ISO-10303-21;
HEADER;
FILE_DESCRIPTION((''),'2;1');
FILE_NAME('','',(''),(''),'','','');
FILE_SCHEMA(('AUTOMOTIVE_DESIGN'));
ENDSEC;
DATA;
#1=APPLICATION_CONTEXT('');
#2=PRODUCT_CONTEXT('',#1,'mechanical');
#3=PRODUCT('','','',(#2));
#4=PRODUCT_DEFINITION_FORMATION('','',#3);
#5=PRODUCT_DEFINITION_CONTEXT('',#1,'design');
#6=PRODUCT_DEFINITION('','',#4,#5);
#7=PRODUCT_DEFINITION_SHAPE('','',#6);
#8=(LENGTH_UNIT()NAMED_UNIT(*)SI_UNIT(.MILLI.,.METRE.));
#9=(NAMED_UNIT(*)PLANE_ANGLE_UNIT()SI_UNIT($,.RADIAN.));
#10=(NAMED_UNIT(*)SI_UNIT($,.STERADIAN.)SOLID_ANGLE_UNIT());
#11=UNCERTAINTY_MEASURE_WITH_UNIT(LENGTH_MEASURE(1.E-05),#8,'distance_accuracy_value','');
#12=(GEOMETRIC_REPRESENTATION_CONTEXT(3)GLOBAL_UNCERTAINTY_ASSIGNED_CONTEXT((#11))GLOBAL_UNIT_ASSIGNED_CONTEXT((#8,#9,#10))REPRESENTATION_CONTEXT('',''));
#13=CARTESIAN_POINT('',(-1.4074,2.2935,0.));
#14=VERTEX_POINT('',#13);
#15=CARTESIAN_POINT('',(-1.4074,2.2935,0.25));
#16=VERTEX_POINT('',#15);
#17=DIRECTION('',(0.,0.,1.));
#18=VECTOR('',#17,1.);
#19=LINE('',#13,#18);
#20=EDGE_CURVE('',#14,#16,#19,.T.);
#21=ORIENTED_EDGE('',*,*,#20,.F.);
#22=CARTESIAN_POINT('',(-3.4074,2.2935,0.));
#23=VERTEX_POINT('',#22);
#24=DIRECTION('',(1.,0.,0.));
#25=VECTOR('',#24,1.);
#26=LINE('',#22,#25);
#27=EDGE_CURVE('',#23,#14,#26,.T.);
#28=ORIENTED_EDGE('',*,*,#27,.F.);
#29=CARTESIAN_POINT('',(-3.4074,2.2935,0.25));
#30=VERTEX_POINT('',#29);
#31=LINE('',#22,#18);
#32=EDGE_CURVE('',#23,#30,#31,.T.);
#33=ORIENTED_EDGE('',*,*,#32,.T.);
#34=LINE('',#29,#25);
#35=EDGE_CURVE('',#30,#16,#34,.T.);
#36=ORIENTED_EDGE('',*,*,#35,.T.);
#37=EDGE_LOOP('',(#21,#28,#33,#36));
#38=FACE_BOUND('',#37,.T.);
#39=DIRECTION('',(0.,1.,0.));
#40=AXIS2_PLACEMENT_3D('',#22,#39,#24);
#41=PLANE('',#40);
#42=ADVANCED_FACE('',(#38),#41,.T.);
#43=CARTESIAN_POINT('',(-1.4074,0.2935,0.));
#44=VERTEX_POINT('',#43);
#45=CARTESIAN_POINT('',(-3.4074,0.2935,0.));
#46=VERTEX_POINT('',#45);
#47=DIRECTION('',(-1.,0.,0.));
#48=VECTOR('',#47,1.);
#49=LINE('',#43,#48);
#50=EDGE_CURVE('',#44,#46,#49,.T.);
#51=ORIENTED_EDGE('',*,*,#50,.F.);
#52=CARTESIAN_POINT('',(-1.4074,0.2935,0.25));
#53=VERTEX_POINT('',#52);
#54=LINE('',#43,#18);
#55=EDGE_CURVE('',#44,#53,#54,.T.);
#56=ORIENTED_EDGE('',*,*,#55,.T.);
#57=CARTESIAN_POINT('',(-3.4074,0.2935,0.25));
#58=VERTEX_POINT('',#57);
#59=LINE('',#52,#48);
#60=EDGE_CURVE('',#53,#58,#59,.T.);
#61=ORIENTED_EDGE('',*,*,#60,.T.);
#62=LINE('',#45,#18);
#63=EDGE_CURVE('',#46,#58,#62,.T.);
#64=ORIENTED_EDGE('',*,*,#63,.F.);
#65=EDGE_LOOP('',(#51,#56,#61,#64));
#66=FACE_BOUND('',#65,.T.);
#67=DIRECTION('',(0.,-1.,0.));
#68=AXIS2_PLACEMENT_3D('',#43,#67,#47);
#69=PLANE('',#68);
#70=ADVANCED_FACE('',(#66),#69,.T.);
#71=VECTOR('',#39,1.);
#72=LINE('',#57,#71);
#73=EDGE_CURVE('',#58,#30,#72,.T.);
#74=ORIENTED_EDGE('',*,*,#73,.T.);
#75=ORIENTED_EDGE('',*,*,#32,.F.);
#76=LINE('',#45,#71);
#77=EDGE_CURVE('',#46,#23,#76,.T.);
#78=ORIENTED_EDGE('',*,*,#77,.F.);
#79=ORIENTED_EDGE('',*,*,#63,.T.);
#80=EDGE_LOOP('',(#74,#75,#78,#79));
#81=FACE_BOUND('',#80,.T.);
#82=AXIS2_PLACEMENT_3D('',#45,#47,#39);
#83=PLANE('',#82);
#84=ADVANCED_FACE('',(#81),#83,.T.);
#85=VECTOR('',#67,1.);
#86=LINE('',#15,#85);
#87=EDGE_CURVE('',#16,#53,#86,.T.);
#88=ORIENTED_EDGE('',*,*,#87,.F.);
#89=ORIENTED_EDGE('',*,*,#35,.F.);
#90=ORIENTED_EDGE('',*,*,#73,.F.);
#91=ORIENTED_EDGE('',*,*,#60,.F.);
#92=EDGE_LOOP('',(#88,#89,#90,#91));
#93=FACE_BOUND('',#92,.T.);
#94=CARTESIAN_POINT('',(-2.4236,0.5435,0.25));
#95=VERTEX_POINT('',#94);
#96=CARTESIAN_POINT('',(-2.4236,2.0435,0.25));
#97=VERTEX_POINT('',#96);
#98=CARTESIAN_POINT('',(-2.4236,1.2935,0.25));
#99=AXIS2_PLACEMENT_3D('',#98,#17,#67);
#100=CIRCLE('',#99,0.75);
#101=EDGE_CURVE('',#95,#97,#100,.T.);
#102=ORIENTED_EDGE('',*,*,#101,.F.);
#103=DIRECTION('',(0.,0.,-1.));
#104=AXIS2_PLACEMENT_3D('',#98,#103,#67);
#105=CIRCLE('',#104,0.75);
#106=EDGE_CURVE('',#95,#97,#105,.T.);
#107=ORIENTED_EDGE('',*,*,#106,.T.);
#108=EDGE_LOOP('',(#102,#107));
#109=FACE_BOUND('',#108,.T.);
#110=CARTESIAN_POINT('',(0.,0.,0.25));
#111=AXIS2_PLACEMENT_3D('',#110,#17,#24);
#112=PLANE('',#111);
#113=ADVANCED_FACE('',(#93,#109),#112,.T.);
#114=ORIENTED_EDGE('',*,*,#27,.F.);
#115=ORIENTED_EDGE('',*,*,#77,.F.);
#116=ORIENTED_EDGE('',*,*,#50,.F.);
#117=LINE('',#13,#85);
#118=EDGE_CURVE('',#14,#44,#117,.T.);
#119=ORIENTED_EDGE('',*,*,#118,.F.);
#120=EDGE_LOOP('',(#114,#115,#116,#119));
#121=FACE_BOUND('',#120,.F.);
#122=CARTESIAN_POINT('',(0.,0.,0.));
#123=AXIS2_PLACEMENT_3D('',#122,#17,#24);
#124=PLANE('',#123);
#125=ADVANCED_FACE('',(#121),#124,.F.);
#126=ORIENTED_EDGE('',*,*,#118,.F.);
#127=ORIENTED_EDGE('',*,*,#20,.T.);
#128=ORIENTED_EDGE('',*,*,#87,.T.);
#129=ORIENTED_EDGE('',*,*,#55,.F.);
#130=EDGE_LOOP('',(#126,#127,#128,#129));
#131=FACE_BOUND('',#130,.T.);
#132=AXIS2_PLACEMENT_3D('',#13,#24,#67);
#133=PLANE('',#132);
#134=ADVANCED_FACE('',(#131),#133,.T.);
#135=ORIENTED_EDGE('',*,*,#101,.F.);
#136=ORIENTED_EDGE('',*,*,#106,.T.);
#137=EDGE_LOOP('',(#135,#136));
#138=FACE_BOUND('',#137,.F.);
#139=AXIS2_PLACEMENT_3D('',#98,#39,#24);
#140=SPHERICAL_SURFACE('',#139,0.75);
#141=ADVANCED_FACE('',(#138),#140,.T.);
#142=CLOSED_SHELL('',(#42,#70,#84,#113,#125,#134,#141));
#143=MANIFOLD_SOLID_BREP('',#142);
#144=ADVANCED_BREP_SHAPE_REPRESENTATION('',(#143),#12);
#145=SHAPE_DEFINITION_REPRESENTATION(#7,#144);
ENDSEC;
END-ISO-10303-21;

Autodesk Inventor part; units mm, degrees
ref_plane "YZ Plane" through (0, 0, 0) normal (1, 0, 0) x (0, 1, 0)
ref_plane "XZ Plane" through (0, 0, 0) normal (0, 1, 0) x (-1, 0, 0)
ref_plane "XY Plane" through (0, 0, 0) normal (0, 0, 1) x (1, 0, 0)
sketch "Sketch1" plane through (0, 0, 0) normal (0, 0, 1) x (1, 0, 0)
  line L0 (-3.4074, 2.2935) -> (-1.4074, 2.2935)
  line L1 (-1.4074, 2.2935) -> (-1.4074, 0.2935)
  line L2 (-1.4074, 0.2935) -> (-3.4074, 0.2935)
  line L3 (-3.4074, 0.2935) -> (-3.4074, 2.2935)
  point P0 (0, 0)
  dimension "d0" = 2
  dimension "d1" = 2
extrude "Extrusion1" add sketch "Sketch1" along normal blind 0.25
sketch "Sketch2" plane through (0, 0, 0.25) normal (0, 0, 1) x (1, 0, 0)
  arc A0 (-2.4236, 0.5435) -> (-2.4236, 2.0435) centre (-2.4236, 1.2935) ccw
  line L0 (-2.4236, 2.0435) -> (-2.4236, 0.5435)
  point P0 (0, 0)
  dimension "d5" = 1.5
revolve "Revolution1" add sketch "Sketch2" angle 180 about axis through (-2.4236, 2.0435, 0.25) along (0, -1, 0)
properties part number "button 2"
